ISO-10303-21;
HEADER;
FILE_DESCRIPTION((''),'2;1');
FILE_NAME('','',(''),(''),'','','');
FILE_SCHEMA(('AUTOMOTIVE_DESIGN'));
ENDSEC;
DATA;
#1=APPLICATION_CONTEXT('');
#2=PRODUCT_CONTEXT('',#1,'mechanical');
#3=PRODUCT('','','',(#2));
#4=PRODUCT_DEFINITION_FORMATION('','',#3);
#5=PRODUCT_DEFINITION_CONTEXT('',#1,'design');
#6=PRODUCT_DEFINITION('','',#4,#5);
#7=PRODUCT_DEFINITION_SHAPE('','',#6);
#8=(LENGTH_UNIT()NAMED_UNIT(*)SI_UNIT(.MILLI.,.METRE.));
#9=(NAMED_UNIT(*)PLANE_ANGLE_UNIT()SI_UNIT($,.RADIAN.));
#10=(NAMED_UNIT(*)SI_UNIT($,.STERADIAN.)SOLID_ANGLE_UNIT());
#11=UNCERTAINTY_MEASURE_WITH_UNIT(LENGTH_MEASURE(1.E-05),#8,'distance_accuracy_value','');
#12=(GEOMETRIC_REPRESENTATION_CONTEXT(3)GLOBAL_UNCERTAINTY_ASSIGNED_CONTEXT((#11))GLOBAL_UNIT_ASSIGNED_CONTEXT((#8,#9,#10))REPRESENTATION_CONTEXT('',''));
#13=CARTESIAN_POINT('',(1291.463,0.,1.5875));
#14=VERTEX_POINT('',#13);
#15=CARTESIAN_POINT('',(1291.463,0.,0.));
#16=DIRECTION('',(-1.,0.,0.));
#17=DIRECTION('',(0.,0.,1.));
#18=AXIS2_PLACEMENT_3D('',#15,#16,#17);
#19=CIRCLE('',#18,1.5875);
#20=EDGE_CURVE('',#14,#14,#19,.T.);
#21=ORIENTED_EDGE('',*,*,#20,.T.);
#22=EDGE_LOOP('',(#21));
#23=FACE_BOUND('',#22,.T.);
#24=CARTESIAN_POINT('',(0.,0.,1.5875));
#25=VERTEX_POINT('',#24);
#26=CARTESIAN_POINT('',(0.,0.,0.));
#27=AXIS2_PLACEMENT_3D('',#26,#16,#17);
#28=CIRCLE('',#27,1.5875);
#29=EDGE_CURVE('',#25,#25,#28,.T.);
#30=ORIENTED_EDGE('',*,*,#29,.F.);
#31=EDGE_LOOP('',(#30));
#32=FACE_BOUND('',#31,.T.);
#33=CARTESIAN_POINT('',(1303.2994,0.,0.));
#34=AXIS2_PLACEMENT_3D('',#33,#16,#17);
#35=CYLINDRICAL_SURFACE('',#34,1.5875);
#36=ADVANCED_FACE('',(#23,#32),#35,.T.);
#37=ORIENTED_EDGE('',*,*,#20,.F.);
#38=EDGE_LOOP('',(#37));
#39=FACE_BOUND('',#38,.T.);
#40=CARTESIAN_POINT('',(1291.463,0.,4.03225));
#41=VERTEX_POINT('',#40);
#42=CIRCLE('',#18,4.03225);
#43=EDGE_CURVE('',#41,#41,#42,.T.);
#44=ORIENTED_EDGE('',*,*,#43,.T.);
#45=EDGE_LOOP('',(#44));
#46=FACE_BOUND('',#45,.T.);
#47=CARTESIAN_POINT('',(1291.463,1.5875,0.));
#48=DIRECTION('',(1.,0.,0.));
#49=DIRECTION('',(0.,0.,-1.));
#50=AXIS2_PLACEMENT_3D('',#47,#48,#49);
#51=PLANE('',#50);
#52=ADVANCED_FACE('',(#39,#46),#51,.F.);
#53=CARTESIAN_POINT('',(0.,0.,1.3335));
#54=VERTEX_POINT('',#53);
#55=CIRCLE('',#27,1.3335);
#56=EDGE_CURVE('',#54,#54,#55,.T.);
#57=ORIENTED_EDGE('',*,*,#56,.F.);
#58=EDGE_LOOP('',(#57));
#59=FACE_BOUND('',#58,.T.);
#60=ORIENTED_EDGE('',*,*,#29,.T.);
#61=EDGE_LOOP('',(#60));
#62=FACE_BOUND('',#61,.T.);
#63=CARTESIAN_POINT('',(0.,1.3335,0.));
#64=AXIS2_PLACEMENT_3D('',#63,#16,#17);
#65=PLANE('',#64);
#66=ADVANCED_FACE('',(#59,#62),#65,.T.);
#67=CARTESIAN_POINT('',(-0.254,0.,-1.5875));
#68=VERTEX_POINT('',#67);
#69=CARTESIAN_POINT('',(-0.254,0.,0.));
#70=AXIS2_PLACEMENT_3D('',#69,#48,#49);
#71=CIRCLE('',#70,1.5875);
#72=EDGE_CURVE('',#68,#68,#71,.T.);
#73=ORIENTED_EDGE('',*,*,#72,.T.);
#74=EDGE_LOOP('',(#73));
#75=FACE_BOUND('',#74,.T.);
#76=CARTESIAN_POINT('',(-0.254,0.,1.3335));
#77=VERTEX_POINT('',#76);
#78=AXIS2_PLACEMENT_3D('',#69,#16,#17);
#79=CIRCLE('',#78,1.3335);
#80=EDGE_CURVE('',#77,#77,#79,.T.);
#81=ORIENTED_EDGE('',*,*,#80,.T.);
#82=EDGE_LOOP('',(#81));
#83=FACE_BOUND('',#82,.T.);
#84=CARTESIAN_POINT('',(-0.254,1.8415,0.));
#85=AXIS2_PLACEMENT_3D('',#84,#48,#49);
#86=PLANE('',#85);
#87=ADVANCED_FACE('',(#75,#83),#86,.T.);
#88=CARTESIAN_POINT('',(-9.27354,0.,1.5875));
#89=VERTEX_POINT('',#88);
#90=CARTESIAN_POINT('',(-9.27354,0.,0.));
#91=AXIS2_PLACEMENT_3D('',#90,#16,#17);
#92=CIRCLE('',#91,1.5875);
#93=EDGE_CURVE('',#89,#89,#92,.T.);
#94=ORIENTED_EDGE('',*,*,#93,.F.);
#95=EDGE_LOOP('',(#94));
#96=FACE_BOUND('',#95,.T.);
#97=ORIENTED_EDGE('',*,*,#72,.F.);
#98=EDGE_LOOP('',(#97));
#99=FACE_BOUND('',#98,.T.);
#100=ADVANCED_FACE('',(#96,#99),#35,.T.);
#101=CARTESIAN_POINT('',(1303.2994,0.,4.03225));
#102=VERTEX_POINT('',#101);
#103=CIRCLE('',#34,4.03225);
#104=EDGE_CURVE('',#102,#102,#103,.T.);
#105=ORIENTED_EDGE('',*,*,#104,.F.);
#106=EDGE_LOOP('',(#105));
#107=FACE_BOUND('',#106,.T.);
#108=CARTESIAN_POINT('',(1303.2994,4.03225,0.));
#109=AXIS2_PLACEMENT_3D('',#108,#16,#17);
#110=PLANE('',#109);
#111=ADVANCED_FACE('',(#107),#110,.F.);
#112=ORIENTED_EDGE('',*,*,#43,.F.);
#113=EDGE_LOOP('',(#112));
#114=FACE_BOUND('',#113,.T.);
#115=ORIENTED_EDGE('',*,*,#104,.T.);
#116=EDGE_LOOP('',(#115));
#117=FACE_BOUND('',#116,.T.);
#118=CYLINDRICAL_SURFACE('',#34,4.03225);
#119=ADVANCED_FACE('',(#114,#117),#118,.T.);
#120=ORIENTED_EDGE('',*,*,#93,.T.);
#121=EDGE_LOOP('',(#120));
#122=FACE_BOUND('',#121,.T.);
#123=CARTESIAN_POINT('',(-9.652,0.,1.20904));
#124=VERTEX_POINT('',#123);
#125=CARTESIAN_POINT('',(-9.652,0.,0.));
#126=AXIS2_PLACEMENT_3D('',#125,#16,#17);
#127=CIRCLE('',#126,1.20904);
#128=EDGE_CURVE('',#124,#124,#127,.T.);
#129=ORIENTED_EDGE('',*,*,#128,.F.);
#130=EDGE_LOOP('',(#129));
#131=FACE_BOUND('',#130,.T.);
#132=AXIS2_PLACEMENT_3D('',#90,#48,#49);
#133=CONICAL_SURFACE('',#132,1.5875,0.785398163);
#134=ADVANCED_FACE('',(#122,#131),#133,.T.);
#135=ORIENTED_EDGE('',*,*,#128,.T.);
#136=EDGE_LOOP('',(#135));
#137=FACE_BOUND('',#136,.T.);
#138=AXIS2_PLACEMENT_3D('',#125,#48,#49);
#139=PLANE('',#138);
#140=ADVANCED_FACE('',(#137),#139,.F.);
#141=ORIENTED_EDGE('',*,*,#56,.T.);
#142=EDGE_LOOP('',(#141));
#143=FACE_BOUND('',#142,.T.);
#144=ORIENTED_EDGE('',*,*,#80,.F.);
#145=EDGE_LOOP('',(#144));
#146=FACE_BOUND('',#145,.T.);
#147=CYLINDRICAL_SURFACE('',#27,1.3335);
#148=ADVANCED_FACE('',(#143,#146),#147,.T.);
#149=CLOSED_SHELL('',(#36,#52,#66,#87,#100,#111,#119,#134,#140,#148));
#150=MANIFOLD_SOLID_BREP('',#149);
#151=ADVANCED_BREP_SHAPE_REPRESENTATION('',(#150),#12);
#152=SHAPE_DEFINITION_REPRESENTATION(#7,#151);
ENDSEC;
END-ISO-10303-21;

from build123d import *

# Parameters (mm, degrees)
SKETCH3_W = 0.254
SKETCH3_H = 0.508


with BuildPart() as part:
    # Sketch1 → Revolve1 (revolve)
    with BuildSketch(Plane.XY):
        Polygon((0, 0), (0, 1.5875), (1291.463, 1.5875), (1291.463, 4.03225), (1303.2994, 4.03225), (1303.2994, 0), align=None)
    revolve(axis=Axis((1303.2994, 0, 0), (-1, 0, 0)))

    # Sketch2 → Revolve2 (revolve)
    with BuildSketch(Plane.XY):
        Polygon((-9.652, 0), (-9.652, 1.20904), (-9.27354, 1.5875), (0, 1.5875), (0, 0), align=None)
    revolve(axis=Axis((0, 0, 0), (-1, 0, 0)))

    # Sketch3 → Cut-Revolve1 (revolve, cut)
    with BuildSketch(Plane.XY):
        with Locations((-0.127, 1.5875)):
            Rectangle(SKETCH3_W, SKETCH3_H)
    revolve(axis=Axis((0, 0, 0), (-1, 0, 0)), mode=Mode.SUBTRACT)


solid = part.part
